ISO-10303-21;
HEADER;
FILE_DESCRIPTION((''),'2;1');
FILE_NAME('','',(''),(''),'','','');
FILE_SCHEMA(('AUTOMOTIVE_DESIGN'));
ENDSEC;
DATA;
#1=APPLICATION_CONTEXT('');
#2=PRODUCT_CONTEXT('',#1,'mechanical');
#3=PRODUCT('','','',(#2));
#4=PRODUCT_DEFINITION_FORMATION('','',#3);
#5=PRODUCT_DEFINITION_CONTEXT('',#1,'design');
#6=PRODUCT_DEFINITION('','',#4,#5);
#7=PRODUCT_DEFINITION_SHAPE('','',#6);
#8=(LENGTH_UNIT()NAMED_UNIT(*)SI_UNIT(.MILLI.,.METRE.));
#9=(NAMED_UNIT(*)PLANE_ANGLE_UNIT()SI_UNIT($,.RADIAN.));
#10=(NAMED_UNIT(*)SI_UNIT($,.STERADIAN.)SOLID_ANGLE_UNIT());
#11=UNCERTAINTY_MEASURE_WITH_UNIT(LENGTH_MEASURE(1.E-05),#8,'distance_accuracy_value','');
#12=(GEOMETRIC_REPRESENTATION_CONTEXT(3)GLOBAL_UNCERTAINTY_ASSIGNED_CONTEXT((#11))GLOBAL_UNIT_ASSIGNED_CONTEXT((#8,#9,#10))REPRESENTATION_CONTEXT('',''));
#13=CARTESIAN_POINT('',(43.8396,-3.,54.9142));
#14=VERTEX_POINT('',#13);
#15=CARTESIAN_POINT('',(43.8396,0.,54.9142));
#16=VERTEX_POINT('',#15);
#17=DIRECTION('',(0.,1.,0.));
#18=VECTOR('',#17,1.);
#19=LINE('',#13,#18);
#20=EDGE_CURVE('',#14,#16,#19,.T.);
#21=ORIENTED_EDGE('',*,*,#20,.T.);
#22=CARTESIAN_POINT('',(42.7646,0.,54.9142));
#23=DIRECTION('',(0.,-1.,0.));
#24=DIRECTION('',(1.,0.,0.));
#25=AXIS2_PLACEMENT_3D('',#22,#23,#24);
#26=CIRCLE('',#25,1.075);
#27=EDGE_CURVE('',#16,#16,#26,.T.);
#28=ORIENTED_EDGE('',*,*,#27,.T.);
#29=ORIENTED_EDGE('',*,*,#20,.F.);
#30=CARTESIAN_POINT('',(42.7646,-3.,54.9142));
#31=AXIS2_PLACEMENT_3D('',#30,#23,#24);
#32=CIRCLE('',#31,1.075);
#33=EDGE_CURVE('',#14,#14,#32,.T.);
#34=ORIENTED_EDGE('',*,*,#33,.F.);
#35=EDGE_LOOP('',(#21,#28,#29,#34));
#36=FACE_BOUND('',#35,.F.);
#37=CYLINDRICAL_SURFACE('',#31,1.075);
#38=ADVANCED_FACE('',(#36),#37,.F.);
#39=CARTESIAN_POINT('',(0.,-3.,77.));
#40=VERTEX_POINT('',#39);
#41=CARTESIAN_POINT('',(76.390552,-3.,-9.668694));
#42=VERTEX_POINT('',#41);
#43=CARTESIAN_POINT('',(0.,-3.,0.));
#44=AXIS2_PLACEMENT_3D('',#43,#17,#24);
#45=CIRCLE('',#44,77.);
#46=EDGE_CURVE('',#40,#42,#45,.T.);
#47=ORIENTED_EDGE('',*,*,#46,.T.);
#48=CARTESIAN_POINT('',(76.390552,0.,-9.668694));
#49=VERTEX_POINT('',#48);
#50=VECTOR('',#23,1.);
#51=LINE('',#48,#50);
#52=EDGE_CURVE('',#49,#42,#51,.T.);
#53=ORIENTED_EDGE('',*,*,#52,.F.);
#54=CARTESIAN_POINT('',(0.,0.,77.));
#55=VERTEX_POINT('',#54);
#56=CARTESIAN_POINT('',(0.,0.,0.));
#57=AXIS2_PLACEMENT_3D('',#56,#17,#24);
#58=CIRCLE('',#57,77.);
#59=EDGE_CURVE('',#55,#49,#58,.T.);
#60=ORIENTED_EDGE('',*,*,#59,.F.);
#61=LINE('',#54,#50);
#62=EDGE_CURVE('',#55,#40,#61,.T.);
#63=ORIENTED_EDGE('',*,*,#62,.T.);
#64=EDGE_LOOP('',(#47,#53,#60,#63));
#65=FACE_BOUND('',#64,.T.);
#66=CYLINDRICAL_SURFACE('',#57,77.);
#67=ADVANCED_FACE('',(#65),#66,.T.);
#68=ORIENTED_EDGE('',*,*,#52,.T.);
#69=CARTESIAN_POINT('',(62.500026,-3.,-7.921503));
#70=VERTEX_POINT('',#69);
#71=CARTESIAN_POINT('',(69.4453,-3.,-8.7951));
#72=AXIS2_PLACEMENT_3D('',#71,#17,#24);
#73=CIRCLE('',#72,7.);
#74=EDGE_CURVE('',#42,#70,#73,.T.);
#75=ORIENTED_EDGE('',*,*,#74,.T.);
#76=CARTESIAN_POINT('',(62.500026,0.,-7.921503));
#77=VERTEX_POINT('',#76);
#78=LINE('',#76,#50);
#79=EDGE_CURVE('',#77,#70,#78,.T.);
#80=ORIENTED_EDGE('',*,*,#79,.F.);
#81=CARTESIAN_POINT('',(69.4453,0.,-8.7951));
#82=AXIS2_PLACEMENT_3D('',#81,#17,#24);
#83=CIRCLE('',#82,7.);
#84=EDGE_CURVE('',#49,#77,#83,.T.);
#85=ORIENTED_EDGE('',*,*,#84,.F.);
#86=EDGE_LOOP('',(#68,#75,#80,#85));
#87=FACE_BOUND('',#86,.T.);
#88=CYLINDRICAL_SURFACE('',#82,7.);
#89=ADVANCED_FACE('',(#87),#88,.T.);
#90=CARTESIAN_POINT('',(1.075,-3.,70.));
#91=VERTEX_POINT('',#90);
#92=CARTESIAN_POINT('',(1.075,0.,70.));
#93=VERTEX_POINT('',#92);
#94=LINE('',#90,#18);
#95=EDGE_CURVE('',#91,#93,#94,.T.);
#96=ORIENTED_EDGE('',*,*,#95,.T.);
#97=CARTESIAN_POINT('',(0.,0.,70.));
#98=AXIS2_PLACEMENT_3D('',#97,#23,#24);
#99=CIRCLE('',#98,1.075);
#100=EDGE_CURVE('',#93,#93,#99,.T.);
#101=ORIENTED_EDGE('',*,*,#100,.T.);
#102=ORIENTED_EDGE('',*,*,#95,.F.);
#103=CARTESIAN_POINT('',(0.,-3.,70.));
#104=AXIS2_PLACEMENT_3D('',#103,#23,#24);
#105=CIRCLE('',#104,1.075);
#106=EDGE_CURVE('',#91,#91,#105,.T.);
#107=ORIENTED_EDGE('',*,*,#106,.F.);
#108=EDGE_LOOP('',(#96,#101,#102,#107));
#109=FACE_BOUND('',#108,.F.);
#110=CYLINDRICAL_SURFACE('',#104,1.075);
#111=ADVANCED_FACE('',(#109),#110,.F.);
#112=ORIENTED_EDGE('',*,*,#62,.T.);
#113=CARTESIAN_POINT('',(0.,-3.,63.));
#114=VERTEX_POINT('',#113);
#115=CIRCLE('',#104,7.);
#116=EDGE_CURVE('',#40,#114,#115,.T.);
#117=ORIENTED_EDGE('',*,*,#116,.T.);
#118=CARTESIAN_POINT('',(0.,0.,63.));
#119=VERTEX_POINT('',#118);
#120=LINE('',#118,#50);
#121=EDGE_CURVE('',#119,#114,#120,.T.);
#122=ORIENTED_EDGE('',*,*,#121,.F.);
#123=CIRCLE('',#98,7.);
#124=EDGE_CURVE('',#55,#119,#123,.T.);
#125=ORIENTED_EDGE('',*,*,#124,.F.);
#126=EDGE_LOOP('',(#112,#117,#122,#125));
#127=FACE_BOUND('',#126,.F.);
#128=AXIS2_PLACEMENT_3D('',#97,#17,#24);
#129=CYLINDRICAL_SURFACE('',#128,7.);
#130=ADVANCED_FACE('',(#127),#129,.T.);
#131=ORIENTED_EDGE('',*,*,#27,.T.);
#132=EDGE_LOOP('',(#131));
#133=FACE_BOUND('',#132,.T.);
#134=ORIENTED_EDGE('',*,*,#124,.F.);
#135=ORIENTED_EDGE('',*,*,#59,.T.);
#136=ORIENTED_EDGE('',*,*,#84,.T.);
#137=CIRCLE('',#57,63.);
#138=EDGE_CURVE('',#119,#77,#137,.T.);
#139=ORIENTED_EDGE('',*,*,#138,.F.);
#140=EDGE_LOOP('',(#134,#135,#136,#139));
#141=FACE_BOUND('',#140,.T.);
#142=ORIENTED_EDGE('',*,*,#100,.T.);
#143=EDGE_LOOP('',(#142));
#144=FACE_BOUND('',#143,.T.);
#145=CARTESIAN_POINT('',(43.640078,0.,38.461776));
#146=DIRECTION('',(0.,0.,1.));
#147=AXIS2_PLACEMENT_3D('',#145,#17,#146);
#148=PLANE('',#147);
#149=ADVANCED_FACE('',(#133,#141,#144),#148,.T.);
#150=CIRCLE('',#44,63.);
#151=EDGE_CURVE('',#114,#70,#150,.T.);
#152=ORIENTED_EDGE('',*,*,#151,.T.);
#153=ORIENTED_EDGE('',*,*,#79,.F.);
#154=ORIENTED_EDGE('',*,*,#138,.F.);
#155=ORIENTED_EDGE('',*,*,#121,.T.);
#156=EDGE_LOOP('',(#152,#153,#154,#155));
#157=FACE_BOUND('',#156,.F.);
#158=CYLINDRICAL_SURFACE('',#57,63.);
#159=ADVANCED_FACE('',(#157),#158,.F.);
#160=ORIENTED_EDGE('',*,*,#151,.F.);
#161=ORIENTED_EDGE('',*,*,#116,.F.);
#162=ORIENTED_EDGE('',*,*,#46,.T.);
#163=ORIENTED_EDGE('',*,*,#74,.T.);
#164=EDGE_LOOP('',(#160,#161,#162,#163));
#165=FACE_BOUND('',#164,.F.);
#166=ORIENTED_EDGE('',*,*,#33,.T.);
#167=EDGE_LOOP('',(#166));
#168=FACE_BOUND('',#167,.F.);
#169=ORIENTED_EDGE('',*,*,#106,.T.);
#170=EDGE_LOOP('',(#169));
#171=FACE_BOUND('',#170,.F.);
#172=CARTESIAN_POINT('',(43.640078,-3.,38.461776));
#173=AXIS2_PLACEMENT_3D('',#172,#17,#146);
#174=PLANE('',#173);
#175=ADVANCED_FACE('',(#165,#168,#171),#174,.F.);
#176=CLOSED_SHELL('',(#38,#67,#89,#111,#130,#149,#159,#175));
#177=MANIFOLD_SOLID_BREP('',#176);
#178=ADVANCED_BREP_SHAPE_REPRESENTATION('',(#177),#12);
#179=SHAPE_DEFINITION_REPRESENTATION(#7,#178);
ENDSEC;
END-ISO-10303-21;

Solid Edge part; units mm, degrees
sketch "Sketch1" plane through (0, 0, 0) normal (0, -1, 0) x (1, 0, 0)
  arc A0 (0, 77) -> (76.3906, -9.6687) centre (0, 0) cw
  arc A1 (76.3905, -9.6687) -> (62.5, -7.9215) centre (69.4453, -8.7951) cw
  arc A2 (0, 63) -> (62.5, -7.9215) centre (0, 0) cw
  arc A3 (0, 77) -> (0, 63) centre (0, 70) ccw
  dimension "D1" = 7
  dimension "D2" = 14
  dimension "D3" = 70
  dimension "D4" = 7
  dimension "D5" = 62.5
  dimension "D6" = 13.8906
extrude "Ajout_matière_1" add sketch "Sketch1" along normal blind 3
sketch "Sketch2" plane through (35, -3, 29.7822) normal (0, -1, 0) x (1, 0, 0)
  circle A0 centre (-35, 40.2178) radius 1.075
  circle A1 centre (7.7646, 25.132) radius 1.075
  dimension "D1" = 2.15
  dimension "D2" = 2.15
  dimension "D3" = 15
  dimension "D4" = 4
extrude "Enlèvement_matière_1" cut sketch "Sketch2" against normal blind 10.2783
properties part number "18" material "MDF 3mm"
